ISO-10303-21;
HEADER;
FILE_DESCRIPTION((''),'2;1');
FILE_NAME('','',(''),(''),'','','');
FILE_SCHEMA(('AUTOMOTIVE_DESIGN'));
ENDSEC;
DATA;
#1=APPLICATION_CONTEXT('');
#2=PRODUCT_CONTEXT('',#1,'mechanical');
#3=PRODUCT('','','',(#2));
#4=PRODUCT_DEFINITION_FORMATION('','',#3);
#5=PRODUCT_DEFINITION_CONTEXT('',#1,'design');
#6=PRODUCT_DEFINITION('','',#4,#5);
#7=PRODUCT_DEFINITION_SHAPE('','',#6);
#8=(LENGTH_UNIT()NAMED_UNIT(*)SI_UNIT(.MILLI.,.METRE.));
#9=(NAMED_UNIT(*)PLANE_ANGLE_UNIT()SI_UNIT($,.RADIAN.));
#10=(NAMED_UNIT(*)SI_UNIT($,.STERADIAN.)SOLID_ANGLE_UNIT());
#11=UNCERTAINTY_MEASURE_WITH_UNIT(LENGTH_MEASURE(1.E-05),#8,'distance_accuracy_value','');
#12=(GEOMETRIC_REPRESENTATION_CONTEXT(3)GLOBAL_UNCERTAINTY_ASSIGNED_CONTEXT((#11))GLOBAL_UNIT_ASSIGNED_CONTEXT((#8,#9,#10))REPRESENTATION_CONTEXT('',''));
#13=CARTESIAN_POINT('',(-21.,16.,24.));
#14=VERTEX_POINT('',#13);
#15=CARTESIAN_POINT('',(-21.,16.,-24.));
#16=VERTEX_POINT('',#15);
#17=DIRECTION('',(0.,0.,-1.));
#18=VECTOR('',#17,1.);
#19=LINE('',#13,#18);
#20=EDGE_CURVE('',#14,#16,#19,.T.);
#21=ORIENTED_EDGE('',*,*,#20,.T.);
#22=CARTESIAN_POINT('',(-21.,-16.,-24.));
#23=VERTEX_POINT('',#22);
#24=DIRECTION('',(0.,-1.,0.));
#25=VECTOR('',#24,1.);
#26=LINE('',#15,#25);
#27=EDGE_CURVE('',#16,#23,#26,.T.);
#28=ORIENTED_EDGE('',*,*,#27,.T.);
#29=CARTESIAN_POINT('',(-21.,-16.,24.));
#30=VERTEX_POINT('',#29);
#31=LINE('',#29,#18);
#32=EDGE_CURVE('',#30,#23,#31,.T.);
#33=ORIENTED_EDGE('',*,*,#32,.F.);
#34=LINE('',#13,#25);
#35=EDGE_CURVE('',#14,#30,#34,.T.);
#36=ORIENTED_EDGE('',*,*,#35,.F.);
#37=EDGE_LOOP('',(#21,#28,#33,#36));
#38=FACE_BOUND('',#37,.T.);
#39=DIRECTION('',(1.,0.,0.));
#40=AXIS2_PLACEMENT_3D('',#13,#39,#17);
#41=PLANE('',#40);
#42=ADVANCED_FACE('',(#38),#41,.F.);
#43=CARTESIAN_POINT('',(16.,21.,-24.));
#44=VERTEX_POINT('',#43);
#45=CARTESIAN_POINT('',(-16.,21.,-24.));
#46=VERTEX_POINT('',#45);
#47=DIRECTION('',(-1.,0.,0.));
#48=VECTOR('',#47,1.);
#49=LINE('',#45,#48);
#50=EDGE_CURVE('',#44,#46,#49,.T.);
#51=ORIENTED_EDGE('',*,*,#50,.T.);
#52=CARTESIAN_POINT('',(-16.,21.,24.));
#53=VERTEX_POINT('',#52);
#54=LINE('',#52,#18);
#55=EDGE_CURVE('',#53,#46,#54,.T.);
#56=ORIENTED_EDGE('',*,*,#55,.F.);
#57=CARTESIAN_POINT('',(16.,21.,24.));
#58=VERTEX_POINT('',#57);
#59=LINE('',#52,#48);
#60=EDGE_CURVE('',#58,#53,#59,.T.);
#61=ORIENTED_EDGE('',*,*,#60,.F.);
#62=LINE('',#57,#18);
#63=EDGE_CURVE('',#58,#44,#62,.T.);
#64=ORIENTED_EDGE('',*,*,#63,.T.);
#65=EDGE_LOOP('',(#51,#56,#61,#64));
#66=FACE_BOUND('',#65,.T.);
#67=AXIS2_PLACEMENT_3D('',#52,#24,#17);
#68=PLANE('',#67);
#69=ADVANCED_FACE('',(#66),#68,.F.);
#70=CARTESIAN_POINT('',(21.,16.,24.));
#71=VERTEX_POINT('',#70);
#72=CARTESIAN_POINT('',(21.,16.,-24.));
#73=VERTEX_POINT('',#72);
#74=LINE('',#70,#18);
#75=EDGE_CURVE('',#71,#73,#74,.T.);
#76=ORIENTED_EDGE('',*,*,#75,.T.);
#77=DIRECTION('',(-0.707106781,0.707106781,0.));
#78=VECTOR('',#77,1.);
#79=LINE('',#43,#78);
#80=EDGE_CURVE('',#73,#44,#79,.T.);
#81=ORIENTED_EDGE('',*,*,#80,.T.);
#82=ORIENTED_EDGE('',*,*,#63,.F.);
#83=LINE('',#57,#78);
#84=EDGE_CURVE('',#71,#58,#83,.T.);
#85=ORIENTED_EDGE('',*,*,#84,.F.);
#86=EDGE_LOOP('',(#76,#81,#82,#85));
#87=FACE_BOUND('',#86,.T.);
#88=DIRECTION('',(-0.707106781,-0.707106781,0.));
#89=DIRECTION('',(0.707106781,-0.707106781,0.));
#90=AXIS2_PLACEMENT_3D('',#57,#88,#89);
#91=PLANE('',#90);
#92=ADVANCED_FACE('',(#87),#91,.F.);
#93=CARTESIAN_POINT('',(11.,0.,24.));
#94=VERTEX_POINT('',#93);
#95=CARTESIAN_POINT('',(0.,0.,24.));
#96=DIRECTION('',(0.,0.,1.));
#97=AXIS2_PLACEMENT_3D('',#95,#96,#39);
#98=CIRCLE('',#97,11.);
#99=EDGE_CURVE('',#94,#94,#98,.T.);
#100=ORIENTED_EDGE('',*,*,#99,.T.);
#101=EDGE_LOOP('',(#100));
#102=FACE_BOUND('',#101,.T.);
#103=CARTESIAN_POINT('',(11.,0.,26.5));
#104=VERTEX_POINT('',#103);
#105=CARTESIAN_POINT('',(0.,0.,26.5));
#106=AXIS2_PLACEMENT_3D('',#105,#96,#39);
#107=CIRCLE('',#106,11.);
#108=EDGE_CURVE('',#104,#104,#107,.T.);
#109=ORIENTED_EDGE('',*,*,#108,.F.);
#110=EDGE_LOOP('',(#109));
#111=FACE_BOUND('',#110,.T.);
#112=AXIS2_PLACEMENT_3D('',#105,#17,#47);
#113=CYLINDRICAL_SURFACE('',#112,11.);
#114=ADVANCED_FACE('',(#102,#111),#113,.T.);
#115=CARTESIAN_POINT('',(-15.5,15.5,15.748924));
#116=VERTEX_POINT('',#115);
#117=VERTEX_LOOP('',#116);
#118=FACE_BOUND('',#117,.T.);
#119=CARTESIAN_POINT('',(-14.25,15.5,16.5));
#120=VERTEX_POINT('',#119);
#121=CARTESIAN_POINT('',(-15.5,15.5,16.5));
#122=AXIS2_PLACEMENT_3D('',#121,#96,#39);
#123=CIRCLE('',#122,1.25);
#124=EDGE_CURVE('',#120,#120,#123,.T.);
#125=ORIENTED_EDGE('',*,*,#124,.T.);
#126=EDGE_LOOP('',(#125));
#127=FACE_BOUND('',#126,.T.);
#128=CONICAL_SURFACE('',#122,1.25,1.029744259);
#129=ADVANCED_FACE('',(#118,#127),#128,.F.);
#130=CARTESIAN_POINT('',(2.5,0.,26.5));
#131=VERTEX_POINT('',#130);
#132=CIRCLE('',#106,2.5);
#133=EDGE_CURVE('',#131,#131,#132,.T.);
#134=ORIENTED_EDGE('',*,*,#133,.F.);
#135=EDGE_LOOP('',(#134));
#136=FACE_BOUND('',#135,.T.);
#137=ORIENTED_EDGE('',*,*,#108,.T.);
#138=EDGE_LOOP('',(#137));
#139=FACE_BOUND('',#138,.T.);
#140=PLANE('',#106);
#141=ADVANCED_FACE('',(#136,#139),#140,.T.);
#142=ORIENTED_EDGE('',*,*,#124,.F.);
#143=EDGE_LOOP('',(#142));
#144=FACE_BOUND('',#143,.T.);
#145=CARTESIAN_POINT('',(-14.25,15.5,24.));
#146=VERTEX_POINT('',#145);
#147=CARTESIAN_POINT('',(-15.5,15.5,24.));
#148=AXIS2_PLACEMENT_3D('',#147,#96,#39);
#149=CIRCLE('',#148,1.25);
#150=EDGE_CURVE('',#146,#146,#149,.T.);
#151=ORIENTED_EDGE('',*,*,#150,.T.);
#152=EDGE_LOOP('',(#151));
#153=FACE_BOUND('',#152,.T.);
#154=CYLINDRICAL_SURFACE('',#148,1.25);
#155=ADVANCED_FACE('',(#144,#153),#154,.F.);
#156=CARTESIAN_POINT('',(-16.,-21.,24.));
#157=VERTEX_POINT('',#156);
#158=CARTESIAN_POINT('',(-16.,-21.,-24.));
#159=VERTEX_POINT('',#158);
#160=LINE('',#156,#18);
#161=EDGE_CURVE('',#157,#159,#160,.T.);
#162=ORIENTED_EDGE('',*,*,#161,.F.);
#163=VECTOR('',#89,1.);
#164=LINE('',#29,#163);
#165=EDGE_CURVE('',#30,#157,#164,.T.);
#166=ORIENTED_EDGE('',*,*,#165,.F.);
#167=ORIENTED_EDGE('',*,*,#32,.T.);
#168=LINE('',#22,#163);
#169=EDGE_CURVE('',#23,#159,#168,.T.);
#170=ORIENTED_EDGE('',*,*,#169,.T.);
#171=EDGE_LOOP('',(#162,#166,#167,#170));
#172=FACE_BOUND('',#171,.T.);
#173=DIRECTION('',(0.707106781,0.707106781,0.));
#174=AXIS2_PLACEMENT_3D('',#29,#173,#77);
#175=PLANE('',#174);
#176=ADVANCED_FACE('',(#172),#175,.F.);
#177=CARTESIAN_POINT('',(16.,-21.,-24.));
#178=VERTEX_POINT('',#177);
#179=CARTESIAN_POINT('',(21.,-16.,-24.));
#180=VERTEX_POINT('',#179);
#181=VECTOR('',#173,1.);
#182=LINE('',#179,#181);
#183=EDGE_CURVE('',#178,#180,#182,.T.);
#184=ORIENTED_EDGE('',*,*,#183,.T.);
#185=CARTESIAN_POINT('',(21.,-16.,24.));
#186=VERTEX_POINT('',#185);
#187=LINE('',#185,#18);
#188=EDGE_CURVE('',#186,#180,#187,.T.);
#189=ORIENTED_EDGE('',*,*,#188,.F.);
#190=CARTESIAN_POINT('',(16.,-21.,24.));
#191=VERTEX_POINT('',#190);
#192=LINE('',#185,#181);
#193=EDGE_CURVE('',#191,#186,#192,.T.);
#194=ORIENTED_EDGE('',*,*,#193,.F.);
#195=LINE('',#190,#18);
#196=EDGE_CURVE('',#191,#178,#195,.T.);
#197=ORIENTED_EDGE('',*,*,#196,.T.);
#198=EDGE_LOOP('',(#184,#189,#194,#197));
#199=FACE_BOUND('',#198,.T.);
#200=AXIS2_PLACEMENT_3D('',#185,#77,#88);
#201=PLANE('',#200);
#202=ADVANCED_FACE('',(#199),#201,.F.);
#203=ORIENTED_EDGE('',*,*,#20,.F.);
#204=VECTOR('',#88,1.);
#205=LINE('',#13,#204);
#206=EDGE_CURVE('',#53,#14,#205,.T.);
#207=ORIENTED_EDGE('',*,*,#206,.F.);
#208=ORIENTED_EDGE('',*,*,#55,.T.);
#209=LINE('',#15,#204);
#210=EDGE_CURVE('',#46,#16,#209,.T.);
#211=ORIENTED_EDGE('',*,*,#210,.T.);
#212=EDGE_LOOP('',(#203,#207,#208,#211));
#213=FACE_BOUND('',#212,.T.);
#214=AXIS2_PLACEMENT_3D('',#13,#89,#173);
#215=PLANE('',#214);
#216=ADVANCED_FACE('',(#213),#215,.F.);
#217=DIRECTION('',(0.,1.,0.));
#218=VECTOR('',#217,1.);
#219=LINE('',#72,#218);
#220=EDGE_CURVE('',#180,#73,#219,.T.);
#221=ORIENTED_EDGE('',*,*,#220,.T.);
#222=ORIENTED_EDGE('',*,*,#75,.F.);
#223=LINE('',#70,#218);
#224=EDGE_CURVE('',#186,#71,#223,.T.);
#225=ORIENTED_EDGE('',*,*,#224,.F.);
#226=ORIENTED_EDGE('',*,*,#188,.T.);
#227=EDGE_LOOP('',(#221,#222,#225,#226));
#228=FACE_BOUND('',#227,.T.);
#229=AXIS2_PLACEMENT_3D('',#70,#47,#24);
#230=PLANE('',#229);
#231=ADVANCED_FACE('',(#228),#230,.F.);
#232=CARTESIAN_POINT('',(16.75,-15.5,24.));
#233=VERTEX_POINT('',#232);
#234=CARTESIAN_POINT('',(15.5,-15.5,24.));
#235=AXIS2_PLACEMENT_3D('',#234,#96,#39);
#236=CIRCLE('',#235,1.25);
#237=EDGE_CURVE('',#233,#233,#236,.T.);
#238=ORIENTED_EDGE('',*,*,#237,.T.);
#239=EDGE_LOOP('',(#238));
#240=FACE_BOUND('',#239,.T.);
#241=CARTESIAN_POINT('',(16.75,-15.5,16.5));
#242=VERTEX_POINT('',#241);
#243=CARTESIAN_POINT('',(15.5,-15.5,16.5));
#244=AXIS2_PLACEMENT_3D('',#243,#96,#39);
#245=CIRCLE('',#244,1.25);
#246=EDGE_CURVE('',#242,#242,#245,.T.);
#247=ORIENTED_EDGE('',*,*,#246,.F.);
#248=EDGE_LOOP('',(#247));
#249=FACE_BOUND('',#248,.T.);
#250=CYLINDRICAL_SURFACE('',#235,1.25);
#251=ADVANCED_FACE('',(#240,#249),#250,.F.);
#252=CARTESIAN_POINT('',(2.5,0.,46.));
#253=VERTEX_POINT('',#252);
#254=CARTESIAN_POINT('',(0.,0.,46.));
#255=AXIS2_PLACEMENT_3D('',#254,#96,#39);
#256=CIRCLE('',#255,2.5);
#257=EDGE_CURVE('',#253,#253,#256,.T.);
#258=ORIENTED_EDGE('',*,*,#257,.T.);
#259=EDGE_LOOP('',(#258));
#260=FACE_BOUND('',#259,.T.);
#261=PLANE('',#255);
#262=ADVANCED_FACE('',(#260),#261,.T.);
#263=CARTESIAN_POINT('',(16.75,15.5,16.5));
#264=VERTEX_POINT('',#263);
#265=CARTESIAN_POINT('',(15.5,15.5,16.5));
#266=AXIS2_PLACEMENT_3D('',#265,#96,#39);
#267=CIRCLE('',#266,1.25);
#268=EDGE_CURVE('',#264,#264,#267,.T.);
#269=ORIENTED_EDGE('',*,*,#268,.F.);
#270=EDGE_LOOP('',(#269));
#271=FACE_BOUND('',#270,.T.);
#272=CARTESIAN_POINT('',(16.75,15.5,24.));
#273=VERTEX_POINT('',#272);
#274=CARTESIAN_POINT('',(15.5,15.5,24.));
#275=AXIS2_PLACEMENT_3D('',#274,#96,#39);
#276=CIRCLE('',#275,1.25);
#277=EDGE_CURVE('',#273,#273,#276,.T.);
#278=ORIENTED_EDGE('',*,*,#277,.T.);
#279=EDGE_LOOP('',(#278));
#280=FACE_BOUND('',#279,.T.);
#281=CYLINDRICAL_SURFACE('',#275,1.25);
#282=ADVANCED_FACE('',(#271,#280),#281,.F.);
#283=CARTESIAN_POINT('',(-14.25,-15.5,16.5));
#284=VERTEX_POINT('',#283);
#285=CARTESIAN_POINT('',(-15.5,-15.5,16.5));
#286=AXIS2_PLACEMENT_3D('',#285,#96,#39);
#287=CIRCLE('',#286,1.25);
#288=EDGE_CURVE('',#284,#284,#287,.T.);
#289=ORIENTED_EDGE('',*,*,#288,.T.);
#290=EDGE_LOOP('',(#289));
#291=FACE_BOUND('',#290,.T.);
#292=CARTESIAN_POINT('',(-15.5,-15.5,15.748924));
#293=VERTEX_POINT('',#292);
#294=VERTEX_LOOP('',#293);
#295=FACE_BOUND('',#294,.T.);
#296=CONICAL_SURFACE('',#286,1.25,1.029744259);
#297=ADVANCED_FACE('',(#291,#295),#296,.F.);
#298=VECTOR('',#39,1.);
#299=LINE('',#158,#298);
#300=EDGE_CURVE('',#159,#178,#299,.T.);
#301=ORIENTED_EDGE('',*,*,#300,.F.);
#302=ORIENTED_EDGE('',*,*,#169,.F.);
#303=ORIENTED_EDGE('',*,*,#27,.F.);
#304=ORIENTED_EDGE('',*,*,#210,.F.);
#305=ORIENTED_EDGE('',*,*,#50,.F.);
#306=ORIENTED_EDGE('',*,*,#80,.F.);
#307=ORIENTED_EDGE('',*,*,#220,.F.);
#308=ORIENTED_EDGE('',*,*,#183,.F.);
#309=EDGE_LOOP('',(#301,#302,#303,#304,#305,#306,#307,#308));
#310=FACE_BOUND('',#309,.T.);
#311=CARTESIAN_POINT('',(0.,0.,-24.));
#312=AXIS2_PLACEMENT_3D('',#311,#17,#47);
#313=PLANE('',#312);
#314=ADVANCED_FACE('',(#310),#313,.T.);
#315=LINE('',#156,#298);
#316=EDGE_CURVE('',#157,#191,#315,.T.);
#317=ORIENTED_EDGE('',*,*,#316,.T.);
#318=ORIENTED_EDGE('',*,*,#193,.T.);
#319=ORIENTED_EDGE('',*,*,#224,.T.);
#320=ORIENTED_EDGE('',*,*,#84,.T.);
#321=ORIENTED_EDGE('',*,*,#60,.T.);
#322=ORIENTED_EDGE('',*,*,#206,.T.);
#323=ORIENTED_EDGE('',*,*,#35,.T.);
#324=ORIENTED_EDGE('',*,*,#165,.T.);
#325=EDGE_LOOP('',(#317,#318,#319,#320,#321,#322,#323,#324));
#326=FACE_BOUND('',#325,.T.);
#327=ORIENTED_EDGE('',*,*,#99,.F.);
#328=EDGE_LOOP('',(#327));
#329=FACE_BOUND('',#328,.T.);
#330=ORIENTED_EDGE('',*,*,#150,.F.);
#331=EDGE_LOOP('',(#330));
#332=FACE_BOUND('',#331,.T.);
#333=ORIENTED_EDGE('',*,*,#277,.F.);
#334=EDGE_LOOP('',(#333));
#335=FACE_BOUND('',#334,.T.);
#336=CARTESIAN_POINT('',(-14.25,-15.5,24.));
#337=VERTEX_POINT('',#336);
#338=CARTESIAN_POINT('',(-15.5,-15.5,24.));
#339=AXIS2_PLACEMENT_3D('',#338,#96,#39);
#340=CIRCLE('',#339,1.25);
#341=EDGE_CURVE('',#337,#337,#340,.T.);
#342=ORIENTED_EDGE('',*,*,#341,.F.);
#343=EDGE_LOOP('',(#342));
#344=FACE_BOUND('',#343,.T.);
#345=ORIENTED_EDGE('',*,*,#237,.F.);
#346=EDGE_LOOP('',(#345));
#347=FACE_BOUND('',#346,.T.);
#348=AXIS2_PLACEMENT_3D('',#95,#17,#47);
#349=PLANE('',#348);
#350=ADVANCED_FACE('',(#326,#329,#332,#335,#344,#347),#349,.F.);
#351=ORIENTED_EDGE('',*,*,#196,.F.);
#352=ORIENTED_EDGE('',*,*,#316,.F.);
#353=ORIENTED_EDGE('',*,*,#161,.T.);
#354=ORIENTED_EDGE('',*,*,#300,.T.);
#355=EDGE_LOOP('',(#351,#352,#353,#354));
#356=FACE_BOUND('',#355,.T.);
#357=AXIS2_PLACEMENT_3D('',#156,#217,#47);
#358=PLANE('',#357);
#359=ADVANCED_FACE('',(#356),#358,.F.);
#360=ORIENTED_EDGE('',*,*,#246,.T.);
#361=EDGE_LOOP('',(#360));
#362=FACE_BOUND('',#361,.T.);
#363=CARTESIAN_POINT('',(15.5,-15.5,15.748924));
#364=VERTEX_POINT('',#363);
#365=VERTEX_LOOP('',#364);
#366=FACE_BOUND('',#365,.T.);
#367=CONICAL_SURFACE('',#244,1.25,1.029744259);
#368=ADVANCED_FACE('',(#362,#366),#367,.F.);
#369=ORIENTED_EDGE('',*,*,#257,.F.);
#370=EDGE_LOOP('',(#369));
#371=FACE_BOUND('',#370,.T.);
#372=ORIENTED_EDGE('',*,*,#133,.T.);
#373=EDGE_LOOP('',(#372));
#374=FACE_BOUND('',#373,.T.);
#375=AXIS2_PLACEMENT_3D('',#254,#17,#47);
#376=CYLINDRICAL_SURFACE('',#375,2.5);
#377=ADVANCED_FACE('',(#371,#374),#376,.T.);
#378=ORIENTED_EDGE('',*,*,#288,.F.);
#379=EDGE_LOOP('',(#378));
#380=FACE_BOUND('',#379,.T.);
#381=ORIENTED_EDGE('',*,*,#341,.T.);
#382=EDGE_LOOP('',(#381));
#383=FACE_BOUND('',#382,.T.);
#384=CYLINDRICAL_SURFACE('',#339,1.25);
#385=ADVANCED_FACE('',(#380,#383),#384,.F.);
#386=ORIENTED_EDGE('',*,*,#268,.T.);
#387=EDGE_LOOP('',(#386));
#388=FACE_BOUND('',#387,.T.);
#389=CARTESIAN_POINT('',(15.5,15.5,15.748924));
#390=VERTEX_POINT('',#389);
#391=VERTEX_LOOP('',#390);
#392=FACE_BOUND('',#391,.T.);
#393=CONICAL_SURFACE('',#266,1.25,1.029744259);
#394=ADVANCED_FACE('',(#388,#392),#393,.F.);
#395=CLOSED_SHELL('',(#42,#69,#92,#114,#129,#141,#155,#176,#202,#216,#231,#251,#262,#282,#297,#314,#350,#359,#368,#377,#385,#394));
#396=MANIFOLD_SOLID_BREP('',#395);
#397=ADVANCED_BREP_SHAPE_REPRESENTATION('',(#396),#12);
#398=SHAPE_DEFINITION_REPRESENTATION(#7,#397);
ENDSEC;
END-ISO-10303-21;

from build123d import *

# Parameters (mm, degrees)
EXTRUDE_1_DEPTH        = 24
SKETCH_2_R             = 11
SKETCH_2_R_2           = 2.5
EXTRUDE_2_DEPTH        = 2.5
SKETCH_2_2_R           = 2.5
EXTRUDE_3_DEPTH        = 22
HOLE_WIZARD_M3_1_D     = 2.5
HOLE_WIZARD_M3_1_DEPTH = 7.5
HOLE_WIZARD_M3_1_TIP   = 0.751075774


with BuildPart() as part:
    # 草图1 → 凸台-拉伸1 (new, symmetric)
    with BuildSketch(Plane.XY):
        Polygon((-21, 16), (-16, 21), (16, 21), (21, 16), (21, -16), (16, -21), (-16, -21), (-21, -16), align=None)
    extrude(amount=EXTRUDE_1_DEPTH, both=True)

    # 草图2 → 凸台-拉伸2 (add)
    with BuildSketch(Plane.XY.offset(24)):
        Circle(SKETCH_2_R)
        Circle(SKETCH_2_R_2, mode=Mode.SUBTRACT)
    extrude(amount=EXTRUDE_2_DEPTH)

    # 草图2<2> → 凸台-拉伸3 (add)
    with BuildSketch(Plane.XY.offset(24)):
        Circle(SKETCH_2_2_R)
    extrude(amount=EXTRUDE_3_DEPTH)

    # M3 螺纹孔1
    with Locations(Plane.XY.offset(24)):
        with Locations((-15.5, 15.5), (15.5, 15.5), (15.5, -15.5), (-15.5, -15.5)):
            Hole(HOLE_WIZARD_M3_1_D / 2, depth=HOLE_WIZARD_M3_1_DEPTH)
            with Locations((0, 0, -(HOLE_WIZARD_M3_1_DEPTH + HOLE_WIZARD_M3_1_TIP / 2))):  # 118° drill point
                Cone(0, HOLE_WIZARD_M3_1_D / 2, HOLE_WIZARD_M3_1_TIP, mode=Mode.SUBTRACT)


solid = part.part
